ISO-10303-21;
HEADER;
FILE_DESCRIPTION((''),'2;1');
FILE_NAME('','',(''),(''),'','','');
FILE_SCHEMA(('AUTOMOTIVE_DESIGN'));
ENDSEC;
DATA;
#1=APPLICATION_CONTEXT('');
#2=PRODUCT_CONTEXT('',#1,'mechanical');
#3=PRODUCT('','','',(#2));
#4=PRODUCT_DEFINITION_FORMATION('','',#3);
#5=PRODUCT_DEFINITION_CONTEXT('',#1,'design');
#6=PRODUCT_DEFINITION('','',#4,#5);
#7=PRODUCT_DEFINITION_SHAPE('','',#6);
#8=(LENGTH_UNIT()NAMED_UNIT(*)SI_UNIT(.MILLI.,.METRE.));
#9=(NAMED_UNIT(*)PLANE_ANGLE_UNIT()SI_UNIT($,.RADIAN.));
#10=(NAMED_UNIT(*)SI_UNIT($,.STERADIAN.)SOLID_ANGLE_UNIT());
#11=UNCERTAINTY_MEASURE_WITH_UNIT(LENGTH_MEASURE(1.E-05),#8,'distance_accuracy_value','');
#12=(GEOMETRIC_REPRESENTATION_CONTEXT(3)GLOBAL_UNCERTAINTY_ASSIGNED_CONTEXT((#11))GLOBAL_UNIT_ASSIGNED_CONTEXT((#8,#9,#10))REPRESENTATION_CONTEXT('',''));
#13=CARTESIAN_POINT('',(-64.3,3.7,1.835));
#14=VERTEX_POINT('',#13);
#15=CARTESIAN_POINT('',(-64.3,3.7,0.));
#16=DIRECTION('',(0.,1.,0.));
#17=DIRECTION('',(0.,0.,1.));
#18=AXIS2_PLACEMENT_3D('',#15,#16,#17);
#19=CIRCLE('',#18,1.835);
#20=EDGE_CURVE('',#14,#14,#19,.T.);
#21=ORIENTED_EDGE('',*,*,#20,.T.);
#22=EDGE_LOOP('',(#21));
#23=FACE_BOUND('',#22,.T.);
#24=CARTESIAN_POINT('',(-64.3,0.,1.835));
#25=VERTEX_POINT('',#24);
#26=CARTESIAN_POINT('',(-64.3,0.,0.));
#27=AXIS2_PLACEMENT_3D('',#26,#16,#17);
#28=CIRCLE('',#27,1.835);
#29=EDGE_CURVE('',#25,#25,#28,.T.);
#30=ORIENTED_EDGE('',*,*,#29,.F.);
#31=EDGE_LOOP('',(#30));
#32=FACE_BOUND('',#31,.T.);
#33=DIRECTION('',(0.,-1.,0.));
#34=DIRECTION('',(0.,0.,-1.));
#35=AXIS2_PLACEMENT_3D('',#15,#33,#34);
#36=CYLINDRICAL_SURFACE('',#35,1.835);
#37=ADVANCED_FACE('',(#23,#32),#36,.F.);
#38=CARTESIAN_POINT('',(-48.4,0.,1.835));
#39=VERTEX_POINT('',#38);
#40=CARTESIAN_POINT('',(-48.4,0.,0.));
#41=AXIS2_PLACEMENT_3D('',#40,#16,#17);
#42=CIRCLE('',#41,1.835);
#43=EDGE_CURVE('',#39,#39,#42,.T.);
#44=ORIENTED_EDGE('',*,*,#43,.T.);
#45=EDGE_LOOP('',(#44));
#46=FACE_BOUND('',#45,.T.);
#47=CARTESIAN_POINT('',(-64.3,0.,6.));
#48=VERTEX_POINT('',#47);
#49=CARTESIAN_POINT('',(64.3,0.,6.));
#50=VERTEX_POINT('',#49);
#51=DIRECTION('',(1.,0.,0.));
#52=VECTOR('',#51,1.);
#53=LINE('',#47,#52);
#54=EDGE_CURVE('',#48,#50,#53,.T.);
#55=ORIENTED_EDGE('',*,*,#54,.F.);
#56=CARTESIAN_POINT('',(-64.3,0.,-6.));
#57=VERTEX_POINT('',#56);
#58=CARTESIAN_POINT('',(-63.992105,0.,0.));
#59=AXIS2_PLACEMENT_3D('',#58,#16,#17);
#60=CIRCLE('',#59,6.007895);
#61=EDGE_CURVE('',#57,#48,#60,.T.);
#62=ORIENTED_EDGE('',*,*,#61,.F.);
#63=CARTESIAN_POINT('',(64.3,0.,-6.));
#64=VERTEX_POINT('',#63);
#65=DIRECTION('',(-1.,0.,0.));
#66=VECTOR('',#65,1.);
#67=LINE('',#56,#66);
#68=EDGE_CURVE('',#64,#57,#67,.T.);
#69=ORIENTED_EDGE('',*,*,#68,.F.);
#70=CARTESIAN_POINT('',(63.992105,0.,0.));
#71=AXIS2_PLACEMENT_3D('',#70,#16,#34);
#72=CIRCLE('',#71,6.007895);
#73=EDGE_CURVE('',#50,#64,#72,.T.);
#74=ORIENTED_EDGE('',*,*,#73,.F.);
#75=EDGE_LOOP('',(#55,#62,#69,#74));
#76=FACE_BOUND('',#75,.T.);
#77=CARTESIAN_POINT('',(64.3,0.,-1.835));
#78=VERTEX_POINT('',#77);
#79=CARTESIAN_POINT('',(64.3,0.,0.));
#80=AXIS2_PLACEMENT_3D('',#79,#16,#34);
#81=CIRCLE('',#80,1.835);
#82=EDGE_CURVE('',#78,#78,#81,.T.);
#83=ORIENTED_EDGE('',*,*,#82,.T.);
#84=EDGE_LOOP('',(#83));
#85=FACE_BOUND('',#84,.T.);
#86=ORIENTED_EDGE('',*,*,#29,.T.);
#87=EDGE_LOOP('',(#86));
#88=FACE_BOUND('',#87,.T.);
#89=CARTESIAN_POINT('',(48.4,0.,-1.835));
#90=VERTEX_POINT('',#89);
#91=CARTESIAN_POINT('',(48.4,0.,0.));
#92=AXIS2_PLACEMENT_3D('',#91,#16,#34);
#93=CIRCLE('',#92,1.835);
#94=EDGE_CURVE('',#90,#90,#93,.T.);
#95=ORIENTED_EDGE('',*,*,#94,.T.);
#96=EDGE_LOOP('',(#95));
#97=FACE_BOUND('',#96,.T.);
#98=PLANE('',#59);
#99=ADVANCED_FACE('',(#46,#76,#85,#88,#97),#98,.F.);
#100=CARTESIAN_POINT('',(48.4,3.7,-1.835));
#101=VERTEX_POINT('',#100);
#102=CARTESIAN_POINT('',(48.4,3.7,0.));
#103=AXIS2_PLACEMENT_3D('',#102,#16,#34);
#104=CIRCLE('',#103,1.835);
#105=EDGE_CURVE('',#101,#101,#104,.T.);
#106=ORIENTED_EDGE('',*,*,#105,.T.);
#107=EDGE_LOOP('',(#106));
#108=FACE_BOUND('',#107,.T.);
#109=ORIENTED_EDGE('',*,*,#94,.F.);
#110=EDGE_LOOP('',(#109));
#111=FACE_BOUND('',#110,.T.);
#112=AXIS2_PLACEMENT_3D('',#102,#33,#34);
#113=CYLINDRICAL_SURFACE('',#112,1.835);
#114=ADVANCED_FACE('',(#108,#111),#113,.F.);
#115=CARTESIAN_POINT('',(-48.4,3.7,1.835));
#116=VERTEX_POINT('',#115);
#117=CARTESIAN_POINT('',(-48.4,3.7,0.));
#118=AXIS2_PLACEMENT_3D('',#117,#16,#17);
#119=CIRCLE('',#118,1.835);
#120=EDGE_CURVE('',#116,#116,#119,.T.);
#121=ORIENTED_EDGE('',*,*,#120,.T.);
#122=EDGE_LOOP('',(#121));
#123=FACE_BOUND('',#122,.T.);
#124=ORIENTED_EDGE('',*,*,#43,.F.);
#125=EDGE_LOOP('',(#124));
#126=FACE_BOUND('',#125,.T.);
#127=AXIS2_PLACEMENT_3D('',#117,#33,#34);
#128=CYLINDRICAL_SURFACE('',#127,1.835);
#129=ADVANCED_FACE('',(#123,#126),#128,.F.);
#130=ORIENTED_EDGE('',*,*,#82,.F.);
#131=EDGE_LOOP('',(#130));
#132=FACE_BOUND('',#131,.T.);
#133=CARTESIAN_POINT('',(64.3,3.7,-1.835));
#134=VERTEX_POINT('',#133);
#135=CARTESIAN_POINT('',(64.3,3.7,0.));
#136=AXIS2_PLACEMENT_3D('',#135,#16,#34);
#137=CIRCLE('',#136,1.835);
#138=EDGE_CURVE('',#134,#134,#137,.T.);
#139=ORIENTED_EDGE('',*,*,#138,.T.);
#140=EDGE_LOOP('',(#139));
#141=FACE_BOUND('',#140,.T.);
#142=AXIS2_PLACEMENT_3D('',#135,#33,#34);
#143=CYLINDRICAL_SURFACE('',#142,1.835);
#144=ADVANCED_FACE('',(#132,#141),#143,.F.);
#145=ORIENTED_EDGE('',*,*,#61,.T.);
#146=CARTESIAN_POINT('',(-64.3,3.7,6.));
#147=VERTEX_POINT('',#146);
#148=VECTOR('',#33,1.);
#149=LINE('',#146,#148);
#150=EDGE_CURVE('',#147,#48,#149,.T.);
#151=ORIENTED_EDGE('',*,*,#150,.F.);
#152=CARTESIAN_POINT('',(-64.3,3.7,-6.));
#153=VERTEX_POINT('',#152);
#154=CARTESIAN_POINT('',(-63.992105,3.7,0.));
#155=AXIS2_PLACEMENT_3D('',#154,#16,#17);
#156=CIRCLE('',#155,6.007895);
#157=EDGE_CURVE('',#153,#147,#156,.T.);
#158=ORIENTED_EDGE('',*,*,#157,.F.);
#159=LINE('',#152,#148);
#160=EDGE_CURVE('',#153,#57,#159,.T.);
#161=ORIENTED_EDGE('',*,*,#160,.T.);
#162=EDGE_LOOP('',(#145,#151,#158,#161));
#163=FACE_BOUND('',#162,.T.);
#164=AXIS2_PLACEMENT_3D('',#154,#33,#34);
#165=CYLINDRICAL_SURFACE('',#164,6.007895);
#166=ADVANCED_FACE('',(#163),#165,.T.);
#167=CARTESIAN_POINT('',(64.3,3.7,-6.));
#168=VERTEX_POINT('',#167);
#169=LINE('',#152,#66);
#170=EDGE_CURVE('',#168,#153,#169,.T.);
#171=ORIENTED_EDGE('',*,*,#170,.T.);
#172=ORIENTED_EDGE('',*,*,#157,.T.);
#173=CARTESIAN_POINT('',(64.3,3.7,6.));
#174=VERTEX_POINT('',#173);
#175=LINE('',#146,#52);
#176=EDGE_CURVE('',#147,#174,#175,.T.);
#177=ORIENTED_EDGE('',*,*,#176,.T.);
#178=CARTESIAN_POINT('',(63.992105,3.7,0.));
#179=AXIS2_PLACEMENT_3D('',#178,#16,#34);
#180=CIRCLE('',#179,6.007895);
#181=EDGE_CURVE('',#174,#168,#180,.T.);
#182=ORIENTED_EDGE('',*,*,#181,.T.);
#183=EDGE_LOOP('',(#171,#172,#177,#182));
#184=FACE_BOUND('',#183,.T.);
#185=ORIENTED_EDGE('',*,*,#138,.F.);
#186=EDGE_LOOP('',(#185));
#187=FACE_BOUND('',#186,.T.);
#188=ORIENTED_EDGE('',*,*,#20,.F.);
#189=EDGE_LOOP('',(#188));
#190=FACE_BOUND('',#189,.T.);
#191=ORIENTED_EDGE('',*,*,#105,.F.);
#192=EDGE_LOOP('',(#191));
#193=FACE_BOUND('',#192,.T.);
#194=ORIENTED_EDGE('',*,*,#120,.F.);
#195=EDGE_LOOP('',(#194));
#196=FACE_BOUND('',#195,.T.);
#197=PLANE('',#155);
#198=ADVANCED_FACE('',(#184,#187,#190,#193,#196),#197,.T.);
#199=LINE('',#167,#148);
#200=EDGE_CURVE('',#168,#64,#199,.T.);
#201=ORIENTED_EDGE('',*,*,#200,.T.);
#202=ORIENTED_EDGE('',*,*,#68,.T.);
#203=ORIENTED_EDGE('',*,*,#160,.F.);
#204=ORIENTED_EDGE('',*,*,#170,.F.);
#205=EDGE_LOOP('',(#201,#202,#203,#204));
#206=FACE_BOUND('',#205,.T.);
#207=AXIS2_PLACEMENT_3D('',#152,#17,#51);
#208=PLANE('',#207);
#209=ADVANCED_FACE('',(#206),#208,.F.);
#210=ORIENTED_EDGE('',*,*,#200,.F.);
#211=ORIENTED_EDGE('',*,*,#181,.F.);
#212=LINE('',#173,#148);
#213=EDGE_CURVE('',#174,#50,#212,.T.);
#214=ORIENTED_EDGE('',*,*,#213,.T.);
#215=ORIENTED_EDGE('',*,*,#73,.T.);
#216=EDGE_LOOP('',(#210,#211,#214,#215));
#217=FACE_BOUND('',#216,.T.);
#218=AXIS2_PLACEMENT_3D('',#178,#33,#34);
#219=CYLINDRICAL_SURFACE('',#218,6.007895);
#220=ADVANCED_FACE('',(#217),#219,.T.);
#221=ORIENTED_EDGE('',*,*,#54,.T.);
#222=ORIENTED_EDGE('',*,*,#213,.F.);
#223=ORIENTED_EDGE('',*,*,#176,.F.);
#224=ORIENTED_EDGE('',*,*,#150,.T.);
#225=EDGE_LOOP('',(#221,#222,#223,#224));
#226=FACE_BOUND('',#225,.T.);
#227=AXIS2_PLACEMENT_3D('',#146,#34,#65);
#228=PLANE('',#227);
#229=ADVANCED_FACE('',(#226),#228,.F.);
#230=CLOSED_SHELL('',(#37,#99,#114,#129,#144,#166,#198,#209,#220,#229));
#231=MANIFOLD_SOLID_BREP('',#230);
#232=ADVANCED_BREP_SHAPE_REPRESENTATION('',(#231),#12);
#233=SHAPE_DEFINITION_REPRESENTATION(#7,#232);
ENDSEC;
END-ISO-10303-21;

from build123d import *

# Parameters (mm, degrees)
SKETCH1_R           = 1.835
BOSS_EXTRUDE1_DEPTH = 3.7


with BuildPart() as part:
    # Sketch1 → Boss-Extrude1 (new body)
    with BuildSketch(Plane(origin=(0, 0, 0), x_dir=(1, 0, 0), z_dir=(0, 1, 0))):
        with BuildLine():
            Line((-64.3, 6), (64.3, 6))
            ThreePointArc((64.3, 6), (70, 0), (64.3, -6))
            Line((64.3, -6), (-64.3, -6))
            ThreePointArc((-64.3, -6), (-70, 0), (-64.3, 6))
        make_face()
        with Locations(Location((-64.3, 0, 0), (0, 0, 270))):
            Circle(SKETCH1_R, mode=Mode.SUBTRACT)
        with Locations(Location((-48.4, 0, 0), (0, 0, 270))):
            Circle(SKETCH1_R, mode=Mode.SUBTRACT)
        with Locations(Location((64.3, 0, 0), (0, 0, 90))):
            Circle(SKETCH1_R, mode=Mode.SUBTRACT)
        with Locations(Location((48.4, 0, 0), (0, 0, 90))):
            Circle(SKETCH1_R, mode=Mode.SUBTRACT)
    extrude(amount=BOSS_EXTRUDE1_DEPTH)


solid = part.part
